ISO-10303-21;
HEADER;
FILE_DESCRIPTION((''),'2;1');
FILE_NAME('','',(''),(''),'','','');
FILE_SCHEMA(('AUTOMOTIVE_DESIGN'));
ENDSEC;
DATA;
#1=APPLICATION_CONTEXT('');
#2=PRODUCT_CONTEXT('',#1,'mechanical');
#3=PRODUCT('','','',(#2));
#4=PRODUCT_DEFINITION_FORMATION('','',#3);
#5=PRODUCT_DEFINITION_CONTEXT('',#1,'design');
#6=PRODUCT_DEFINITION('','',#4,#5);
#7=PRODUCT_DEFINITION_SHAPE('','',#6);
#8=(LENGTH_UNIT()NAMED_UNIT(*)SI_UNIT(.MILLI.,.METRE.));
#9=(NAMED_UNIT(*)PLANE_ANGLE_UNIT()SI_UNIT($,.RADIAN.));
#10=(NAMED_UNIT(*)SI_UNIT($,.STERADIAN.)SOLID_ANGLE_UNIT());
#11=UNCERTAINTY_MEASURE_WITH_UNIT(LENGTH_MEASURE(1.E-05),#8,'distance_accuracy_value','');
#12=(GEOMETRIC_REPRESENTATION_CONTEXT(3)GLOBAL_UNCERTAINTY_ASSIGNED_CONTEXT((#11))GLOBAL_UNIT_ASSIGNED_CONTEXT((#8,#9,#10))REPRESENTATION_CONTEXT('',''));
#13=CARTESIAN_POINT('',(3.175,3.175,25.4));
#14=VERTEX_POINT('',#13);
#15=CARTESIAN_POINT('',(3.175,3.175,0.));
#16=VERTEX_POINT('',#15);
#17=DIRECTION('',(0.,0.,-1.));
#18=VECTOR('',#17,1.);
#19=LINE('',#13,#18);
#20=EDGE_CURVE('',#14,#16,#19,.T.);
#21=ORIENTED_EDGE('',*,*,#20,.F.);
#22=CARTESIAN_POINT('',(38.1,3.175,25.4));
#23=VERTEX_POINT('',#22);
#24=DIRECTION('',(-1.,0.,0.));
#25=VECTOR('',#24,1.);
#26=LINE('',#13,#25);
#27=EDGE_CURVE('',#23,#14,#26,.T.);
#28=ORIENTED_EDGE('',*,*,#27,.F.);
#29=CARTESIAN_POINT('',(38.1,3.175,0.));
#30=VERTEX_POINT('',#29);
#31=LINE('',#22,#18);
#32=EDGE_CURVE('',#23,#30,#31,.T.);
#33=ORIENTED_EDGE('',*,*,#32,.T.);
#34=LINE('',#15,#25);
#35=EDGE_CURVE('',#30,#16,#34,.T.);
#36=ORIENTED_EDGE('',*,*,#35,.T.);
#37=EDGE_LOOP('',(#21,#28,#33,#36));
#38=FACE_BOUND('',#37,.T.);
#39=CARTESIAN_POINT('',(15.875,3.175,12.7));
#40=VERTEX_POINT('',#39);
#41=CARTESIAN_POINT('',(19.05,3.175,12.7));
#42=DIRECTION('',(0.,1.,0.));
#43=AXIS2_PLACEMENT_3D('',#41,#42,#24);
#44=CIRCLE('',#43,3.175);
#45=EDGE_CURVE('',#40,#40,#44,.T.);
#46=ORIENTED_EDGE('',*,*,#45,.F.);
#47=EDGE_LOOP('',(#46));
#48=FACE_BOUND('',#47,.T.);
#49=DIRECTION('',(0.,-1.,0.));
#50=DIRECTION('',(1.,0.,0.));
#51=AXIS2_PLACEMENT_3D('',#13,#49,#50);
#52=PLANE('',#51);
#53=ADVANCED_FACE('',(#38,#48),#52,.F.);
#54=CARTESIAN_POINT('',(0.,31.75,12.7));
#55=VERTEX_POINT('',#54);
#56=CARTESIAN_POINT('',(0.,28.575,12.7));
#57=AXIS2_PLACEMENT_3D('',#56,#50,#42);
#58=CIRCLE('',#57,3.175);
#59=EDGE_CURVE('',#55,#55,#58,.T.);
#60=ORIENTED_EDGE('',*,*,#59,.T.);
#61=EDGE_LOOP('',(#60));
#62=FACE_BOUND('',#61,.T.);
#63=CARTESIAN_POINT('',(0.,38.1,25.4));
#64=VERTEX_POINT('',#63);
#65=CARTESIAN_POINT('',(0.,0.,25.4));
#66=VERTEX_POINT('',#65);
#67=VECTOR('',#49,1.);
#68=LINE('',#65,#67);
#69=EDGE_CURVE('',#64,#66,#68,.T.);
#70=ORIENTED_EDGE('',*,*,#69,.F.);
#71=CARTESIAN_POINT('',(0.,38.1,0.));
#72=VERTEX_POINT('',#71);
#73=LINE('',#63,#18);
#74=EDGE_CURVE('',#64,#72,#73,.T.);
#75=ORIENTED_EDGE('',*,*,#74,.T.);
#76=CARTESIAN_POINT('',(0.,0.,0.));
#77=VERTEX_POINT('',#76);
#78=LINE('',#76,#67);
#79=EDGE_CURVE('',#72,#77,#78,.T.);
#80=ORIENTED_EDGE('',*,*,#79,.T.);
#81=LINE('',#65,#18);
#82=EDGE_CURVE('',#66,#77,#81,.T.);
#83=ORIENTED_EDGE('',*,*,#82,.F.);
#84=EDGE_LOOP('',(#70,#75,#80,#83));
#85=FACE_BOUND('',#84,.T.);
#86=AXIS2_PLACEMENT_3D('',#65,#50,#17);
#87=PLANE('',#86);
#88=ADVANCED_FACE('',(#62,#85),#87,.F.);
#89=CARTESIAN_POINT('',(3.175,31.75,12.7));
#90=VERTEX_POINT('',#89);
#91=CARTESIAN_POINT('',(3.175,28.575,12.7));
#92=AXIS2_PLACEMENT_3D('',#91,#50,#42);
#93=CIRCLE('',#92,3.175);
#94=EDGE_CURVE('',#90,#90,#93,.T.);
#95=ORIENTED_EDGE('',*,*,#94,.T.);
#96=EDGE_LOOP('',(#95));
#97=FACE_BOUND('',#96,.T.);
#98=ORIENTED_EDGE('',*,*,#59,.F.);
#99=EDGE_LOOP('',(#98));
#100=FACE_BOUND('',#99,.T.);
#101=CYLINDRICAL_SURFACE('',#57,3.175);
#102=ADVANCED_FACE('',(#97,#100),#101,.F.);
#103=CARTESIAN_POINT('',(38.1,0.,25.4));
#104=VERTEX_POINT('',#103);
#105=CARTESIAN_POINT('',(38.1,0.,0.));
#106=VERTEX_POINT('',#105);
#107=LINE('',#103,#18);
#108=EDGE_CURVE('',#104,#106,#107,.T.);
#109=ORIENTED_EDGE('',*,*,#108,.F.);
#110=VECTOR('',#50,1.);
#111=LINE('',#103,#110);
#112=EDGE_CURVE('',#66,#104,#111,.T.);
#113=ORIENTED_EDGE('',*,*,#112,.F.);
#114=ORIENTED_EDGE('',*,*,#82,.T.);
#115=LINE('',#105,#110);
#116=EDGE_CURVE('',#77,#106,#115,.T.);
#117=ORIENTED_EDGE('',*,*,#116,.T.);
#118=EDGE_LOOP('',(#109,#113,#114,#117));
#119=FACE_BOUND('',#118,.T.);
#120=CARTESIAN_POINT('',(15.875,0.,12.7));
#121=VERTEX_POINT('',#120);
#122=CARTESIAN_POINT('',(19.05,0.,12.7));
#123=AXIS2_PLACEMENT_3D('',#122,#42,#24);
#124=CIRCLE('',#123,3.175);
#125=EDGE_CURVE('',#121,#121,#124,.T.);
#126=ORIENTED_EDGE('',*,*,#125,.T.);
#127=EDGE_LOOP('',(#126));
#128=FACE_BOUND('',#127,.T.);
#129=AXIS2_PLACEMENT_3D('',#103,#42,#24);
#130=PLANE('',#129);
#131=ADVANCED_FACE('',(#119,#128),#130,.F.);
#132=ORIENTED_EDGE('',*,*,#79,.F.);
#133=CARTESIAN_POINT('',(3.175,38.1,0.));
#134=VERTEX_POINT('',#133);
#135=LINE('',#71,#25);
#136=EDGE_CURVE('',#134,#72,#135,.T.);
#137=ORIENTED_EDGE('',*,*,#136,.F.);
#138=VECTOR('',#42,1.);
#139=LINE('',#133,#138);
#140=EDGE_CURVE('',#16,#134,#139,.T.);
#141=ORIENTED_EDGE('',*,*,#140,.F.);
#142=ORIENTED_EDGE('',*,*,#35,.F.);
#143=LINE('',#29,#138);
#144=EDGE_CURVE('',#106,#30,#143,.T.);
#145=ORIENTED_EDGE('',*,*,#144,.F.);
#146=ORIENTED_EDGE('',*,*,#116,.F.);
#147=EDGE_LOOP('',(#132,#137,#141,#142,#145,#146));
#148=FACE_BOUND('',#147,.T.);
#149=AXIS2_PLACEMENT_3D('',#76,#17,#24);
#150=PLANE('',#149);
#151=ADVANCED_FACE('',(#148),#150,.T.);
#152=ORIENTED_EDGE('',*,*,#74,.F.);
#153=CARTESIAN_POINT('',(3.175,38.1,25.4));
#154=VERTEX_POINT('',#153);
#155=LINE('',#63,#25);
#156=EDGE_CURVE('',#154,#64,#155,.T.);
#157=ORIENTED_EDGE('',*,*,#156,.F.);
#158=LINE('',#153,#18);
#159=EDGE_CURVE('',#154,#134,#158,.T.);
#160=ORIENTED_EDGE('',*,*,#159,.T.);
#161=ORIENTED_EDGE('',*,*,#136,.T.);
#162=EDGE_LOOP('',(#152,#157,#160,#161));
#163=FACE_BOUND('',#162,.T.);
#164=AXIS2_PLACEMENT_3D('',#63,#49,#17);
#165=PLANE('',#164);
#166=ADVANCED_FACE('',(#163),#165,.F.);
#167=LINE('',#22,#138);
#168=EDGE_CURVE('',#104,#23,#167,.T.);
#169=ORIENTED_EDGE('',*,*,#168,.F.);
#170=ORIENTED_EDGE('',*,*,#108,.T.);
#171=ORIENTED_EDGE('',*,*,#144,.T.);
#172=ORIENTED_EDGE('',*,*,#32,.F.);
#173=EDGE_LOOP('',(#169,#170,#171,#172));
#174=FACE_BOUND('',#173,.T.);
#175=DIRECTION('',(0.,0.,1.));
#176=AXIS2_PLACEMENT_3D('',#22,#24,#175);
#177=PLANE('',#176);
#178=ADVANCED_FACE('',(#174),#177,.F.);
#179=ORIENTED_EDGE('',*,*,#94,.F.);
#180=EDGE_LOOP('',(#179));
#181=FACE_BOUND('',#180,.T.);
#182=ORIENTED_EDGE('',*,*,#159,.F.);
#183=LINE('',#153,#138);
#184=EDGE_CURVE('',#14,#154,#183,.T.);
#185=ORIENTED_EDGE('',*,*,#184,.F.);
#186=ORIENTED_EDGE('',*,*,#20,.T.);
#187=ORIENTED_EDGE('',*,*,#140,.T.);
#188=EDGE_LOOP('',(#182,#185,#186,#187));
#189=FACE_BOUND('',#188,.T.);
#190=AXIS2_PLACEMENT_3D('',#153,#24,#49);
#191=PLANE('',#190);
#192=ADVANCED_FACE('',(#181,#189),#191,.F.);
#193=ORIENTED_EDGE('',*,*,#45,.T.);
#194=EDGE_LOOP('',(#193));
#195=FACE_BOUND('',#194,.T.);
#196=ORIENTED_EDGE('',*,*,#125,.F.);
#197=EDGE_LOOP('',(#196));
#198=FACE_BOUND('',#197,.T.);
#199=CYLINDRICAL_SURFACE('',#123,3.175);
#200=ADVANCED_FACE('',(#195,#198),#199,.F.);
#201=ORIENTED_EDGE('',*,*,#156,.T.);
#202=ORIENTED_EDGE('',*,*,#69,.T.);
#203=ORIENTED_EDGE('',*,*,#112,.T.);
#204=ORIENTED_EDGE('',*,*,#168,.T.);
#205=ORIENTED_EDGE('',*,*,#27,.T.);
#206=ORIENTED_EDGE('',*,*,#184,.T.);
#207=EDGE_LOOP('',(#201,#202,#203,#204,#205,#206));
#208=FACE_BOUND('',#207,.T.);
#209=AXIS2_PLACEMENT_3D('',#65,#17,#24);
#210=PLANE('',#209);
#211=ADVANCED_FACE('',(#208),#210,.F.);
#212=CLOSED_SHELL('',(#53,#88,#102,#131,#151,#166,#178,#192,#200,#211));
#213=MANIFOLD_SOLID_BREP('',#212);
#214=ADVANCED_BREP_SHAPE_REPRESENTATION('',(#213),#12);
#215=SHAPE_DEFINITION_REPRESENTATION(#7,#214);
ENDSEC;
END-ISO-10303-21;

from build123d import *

# Parameters (mm, degrees)
BOSS_EXTRUDE1_DEPTH = 25.4
SKETCH2_R           = 3.175
CUT_EXTRUDE1_DEPTH  = 4.175
SKETCH3_R           = 3.175
CUT_EXTRUDE2_DEPTH  = 4.175


with BuildPart() as part:
    # Sketch1 → Boss-Extrude1 (new body)
    with BuildSketch(Plane.XY):
        Polygon((0, 0), (0, 38.1), (3.175, 38.1), (3.175, 3.175), (38.1, 3.175), (38.1, 0), align=None)
    extrude(amount=BOSS_EXTRUDE1_DEPTH)

    # Sketch2 → Cut-Extrude1 (cut, through all)
    with BuildSketch(Plane(origin=(0, 3.175, 0), x_dir=(1, 0, 0), z_dir=(0, 1, 0))):
        with Locations((19.05, -12.7)):
            Circle(SKETCH2_R)
    extrude(amount=-CUT_EXTRUDE1_DEPTH, mode=Mode.SUBTRACT)

    # Sketch3 → Cut-Extrude2 (cut, through all)
    with BuildSketch(Plane(origin=(3.175, 0, 0), x_dir=(0, 0, -1), z_dir=(1, 0, 0))):
        with Locations((-12.7, 28.575)):
            Circle(SKETCH3_R)
    extrude(amount=-CUT_EXTRUDE2_DEPTH, mode=Mode.SUBTRACT)


solid = part.part
